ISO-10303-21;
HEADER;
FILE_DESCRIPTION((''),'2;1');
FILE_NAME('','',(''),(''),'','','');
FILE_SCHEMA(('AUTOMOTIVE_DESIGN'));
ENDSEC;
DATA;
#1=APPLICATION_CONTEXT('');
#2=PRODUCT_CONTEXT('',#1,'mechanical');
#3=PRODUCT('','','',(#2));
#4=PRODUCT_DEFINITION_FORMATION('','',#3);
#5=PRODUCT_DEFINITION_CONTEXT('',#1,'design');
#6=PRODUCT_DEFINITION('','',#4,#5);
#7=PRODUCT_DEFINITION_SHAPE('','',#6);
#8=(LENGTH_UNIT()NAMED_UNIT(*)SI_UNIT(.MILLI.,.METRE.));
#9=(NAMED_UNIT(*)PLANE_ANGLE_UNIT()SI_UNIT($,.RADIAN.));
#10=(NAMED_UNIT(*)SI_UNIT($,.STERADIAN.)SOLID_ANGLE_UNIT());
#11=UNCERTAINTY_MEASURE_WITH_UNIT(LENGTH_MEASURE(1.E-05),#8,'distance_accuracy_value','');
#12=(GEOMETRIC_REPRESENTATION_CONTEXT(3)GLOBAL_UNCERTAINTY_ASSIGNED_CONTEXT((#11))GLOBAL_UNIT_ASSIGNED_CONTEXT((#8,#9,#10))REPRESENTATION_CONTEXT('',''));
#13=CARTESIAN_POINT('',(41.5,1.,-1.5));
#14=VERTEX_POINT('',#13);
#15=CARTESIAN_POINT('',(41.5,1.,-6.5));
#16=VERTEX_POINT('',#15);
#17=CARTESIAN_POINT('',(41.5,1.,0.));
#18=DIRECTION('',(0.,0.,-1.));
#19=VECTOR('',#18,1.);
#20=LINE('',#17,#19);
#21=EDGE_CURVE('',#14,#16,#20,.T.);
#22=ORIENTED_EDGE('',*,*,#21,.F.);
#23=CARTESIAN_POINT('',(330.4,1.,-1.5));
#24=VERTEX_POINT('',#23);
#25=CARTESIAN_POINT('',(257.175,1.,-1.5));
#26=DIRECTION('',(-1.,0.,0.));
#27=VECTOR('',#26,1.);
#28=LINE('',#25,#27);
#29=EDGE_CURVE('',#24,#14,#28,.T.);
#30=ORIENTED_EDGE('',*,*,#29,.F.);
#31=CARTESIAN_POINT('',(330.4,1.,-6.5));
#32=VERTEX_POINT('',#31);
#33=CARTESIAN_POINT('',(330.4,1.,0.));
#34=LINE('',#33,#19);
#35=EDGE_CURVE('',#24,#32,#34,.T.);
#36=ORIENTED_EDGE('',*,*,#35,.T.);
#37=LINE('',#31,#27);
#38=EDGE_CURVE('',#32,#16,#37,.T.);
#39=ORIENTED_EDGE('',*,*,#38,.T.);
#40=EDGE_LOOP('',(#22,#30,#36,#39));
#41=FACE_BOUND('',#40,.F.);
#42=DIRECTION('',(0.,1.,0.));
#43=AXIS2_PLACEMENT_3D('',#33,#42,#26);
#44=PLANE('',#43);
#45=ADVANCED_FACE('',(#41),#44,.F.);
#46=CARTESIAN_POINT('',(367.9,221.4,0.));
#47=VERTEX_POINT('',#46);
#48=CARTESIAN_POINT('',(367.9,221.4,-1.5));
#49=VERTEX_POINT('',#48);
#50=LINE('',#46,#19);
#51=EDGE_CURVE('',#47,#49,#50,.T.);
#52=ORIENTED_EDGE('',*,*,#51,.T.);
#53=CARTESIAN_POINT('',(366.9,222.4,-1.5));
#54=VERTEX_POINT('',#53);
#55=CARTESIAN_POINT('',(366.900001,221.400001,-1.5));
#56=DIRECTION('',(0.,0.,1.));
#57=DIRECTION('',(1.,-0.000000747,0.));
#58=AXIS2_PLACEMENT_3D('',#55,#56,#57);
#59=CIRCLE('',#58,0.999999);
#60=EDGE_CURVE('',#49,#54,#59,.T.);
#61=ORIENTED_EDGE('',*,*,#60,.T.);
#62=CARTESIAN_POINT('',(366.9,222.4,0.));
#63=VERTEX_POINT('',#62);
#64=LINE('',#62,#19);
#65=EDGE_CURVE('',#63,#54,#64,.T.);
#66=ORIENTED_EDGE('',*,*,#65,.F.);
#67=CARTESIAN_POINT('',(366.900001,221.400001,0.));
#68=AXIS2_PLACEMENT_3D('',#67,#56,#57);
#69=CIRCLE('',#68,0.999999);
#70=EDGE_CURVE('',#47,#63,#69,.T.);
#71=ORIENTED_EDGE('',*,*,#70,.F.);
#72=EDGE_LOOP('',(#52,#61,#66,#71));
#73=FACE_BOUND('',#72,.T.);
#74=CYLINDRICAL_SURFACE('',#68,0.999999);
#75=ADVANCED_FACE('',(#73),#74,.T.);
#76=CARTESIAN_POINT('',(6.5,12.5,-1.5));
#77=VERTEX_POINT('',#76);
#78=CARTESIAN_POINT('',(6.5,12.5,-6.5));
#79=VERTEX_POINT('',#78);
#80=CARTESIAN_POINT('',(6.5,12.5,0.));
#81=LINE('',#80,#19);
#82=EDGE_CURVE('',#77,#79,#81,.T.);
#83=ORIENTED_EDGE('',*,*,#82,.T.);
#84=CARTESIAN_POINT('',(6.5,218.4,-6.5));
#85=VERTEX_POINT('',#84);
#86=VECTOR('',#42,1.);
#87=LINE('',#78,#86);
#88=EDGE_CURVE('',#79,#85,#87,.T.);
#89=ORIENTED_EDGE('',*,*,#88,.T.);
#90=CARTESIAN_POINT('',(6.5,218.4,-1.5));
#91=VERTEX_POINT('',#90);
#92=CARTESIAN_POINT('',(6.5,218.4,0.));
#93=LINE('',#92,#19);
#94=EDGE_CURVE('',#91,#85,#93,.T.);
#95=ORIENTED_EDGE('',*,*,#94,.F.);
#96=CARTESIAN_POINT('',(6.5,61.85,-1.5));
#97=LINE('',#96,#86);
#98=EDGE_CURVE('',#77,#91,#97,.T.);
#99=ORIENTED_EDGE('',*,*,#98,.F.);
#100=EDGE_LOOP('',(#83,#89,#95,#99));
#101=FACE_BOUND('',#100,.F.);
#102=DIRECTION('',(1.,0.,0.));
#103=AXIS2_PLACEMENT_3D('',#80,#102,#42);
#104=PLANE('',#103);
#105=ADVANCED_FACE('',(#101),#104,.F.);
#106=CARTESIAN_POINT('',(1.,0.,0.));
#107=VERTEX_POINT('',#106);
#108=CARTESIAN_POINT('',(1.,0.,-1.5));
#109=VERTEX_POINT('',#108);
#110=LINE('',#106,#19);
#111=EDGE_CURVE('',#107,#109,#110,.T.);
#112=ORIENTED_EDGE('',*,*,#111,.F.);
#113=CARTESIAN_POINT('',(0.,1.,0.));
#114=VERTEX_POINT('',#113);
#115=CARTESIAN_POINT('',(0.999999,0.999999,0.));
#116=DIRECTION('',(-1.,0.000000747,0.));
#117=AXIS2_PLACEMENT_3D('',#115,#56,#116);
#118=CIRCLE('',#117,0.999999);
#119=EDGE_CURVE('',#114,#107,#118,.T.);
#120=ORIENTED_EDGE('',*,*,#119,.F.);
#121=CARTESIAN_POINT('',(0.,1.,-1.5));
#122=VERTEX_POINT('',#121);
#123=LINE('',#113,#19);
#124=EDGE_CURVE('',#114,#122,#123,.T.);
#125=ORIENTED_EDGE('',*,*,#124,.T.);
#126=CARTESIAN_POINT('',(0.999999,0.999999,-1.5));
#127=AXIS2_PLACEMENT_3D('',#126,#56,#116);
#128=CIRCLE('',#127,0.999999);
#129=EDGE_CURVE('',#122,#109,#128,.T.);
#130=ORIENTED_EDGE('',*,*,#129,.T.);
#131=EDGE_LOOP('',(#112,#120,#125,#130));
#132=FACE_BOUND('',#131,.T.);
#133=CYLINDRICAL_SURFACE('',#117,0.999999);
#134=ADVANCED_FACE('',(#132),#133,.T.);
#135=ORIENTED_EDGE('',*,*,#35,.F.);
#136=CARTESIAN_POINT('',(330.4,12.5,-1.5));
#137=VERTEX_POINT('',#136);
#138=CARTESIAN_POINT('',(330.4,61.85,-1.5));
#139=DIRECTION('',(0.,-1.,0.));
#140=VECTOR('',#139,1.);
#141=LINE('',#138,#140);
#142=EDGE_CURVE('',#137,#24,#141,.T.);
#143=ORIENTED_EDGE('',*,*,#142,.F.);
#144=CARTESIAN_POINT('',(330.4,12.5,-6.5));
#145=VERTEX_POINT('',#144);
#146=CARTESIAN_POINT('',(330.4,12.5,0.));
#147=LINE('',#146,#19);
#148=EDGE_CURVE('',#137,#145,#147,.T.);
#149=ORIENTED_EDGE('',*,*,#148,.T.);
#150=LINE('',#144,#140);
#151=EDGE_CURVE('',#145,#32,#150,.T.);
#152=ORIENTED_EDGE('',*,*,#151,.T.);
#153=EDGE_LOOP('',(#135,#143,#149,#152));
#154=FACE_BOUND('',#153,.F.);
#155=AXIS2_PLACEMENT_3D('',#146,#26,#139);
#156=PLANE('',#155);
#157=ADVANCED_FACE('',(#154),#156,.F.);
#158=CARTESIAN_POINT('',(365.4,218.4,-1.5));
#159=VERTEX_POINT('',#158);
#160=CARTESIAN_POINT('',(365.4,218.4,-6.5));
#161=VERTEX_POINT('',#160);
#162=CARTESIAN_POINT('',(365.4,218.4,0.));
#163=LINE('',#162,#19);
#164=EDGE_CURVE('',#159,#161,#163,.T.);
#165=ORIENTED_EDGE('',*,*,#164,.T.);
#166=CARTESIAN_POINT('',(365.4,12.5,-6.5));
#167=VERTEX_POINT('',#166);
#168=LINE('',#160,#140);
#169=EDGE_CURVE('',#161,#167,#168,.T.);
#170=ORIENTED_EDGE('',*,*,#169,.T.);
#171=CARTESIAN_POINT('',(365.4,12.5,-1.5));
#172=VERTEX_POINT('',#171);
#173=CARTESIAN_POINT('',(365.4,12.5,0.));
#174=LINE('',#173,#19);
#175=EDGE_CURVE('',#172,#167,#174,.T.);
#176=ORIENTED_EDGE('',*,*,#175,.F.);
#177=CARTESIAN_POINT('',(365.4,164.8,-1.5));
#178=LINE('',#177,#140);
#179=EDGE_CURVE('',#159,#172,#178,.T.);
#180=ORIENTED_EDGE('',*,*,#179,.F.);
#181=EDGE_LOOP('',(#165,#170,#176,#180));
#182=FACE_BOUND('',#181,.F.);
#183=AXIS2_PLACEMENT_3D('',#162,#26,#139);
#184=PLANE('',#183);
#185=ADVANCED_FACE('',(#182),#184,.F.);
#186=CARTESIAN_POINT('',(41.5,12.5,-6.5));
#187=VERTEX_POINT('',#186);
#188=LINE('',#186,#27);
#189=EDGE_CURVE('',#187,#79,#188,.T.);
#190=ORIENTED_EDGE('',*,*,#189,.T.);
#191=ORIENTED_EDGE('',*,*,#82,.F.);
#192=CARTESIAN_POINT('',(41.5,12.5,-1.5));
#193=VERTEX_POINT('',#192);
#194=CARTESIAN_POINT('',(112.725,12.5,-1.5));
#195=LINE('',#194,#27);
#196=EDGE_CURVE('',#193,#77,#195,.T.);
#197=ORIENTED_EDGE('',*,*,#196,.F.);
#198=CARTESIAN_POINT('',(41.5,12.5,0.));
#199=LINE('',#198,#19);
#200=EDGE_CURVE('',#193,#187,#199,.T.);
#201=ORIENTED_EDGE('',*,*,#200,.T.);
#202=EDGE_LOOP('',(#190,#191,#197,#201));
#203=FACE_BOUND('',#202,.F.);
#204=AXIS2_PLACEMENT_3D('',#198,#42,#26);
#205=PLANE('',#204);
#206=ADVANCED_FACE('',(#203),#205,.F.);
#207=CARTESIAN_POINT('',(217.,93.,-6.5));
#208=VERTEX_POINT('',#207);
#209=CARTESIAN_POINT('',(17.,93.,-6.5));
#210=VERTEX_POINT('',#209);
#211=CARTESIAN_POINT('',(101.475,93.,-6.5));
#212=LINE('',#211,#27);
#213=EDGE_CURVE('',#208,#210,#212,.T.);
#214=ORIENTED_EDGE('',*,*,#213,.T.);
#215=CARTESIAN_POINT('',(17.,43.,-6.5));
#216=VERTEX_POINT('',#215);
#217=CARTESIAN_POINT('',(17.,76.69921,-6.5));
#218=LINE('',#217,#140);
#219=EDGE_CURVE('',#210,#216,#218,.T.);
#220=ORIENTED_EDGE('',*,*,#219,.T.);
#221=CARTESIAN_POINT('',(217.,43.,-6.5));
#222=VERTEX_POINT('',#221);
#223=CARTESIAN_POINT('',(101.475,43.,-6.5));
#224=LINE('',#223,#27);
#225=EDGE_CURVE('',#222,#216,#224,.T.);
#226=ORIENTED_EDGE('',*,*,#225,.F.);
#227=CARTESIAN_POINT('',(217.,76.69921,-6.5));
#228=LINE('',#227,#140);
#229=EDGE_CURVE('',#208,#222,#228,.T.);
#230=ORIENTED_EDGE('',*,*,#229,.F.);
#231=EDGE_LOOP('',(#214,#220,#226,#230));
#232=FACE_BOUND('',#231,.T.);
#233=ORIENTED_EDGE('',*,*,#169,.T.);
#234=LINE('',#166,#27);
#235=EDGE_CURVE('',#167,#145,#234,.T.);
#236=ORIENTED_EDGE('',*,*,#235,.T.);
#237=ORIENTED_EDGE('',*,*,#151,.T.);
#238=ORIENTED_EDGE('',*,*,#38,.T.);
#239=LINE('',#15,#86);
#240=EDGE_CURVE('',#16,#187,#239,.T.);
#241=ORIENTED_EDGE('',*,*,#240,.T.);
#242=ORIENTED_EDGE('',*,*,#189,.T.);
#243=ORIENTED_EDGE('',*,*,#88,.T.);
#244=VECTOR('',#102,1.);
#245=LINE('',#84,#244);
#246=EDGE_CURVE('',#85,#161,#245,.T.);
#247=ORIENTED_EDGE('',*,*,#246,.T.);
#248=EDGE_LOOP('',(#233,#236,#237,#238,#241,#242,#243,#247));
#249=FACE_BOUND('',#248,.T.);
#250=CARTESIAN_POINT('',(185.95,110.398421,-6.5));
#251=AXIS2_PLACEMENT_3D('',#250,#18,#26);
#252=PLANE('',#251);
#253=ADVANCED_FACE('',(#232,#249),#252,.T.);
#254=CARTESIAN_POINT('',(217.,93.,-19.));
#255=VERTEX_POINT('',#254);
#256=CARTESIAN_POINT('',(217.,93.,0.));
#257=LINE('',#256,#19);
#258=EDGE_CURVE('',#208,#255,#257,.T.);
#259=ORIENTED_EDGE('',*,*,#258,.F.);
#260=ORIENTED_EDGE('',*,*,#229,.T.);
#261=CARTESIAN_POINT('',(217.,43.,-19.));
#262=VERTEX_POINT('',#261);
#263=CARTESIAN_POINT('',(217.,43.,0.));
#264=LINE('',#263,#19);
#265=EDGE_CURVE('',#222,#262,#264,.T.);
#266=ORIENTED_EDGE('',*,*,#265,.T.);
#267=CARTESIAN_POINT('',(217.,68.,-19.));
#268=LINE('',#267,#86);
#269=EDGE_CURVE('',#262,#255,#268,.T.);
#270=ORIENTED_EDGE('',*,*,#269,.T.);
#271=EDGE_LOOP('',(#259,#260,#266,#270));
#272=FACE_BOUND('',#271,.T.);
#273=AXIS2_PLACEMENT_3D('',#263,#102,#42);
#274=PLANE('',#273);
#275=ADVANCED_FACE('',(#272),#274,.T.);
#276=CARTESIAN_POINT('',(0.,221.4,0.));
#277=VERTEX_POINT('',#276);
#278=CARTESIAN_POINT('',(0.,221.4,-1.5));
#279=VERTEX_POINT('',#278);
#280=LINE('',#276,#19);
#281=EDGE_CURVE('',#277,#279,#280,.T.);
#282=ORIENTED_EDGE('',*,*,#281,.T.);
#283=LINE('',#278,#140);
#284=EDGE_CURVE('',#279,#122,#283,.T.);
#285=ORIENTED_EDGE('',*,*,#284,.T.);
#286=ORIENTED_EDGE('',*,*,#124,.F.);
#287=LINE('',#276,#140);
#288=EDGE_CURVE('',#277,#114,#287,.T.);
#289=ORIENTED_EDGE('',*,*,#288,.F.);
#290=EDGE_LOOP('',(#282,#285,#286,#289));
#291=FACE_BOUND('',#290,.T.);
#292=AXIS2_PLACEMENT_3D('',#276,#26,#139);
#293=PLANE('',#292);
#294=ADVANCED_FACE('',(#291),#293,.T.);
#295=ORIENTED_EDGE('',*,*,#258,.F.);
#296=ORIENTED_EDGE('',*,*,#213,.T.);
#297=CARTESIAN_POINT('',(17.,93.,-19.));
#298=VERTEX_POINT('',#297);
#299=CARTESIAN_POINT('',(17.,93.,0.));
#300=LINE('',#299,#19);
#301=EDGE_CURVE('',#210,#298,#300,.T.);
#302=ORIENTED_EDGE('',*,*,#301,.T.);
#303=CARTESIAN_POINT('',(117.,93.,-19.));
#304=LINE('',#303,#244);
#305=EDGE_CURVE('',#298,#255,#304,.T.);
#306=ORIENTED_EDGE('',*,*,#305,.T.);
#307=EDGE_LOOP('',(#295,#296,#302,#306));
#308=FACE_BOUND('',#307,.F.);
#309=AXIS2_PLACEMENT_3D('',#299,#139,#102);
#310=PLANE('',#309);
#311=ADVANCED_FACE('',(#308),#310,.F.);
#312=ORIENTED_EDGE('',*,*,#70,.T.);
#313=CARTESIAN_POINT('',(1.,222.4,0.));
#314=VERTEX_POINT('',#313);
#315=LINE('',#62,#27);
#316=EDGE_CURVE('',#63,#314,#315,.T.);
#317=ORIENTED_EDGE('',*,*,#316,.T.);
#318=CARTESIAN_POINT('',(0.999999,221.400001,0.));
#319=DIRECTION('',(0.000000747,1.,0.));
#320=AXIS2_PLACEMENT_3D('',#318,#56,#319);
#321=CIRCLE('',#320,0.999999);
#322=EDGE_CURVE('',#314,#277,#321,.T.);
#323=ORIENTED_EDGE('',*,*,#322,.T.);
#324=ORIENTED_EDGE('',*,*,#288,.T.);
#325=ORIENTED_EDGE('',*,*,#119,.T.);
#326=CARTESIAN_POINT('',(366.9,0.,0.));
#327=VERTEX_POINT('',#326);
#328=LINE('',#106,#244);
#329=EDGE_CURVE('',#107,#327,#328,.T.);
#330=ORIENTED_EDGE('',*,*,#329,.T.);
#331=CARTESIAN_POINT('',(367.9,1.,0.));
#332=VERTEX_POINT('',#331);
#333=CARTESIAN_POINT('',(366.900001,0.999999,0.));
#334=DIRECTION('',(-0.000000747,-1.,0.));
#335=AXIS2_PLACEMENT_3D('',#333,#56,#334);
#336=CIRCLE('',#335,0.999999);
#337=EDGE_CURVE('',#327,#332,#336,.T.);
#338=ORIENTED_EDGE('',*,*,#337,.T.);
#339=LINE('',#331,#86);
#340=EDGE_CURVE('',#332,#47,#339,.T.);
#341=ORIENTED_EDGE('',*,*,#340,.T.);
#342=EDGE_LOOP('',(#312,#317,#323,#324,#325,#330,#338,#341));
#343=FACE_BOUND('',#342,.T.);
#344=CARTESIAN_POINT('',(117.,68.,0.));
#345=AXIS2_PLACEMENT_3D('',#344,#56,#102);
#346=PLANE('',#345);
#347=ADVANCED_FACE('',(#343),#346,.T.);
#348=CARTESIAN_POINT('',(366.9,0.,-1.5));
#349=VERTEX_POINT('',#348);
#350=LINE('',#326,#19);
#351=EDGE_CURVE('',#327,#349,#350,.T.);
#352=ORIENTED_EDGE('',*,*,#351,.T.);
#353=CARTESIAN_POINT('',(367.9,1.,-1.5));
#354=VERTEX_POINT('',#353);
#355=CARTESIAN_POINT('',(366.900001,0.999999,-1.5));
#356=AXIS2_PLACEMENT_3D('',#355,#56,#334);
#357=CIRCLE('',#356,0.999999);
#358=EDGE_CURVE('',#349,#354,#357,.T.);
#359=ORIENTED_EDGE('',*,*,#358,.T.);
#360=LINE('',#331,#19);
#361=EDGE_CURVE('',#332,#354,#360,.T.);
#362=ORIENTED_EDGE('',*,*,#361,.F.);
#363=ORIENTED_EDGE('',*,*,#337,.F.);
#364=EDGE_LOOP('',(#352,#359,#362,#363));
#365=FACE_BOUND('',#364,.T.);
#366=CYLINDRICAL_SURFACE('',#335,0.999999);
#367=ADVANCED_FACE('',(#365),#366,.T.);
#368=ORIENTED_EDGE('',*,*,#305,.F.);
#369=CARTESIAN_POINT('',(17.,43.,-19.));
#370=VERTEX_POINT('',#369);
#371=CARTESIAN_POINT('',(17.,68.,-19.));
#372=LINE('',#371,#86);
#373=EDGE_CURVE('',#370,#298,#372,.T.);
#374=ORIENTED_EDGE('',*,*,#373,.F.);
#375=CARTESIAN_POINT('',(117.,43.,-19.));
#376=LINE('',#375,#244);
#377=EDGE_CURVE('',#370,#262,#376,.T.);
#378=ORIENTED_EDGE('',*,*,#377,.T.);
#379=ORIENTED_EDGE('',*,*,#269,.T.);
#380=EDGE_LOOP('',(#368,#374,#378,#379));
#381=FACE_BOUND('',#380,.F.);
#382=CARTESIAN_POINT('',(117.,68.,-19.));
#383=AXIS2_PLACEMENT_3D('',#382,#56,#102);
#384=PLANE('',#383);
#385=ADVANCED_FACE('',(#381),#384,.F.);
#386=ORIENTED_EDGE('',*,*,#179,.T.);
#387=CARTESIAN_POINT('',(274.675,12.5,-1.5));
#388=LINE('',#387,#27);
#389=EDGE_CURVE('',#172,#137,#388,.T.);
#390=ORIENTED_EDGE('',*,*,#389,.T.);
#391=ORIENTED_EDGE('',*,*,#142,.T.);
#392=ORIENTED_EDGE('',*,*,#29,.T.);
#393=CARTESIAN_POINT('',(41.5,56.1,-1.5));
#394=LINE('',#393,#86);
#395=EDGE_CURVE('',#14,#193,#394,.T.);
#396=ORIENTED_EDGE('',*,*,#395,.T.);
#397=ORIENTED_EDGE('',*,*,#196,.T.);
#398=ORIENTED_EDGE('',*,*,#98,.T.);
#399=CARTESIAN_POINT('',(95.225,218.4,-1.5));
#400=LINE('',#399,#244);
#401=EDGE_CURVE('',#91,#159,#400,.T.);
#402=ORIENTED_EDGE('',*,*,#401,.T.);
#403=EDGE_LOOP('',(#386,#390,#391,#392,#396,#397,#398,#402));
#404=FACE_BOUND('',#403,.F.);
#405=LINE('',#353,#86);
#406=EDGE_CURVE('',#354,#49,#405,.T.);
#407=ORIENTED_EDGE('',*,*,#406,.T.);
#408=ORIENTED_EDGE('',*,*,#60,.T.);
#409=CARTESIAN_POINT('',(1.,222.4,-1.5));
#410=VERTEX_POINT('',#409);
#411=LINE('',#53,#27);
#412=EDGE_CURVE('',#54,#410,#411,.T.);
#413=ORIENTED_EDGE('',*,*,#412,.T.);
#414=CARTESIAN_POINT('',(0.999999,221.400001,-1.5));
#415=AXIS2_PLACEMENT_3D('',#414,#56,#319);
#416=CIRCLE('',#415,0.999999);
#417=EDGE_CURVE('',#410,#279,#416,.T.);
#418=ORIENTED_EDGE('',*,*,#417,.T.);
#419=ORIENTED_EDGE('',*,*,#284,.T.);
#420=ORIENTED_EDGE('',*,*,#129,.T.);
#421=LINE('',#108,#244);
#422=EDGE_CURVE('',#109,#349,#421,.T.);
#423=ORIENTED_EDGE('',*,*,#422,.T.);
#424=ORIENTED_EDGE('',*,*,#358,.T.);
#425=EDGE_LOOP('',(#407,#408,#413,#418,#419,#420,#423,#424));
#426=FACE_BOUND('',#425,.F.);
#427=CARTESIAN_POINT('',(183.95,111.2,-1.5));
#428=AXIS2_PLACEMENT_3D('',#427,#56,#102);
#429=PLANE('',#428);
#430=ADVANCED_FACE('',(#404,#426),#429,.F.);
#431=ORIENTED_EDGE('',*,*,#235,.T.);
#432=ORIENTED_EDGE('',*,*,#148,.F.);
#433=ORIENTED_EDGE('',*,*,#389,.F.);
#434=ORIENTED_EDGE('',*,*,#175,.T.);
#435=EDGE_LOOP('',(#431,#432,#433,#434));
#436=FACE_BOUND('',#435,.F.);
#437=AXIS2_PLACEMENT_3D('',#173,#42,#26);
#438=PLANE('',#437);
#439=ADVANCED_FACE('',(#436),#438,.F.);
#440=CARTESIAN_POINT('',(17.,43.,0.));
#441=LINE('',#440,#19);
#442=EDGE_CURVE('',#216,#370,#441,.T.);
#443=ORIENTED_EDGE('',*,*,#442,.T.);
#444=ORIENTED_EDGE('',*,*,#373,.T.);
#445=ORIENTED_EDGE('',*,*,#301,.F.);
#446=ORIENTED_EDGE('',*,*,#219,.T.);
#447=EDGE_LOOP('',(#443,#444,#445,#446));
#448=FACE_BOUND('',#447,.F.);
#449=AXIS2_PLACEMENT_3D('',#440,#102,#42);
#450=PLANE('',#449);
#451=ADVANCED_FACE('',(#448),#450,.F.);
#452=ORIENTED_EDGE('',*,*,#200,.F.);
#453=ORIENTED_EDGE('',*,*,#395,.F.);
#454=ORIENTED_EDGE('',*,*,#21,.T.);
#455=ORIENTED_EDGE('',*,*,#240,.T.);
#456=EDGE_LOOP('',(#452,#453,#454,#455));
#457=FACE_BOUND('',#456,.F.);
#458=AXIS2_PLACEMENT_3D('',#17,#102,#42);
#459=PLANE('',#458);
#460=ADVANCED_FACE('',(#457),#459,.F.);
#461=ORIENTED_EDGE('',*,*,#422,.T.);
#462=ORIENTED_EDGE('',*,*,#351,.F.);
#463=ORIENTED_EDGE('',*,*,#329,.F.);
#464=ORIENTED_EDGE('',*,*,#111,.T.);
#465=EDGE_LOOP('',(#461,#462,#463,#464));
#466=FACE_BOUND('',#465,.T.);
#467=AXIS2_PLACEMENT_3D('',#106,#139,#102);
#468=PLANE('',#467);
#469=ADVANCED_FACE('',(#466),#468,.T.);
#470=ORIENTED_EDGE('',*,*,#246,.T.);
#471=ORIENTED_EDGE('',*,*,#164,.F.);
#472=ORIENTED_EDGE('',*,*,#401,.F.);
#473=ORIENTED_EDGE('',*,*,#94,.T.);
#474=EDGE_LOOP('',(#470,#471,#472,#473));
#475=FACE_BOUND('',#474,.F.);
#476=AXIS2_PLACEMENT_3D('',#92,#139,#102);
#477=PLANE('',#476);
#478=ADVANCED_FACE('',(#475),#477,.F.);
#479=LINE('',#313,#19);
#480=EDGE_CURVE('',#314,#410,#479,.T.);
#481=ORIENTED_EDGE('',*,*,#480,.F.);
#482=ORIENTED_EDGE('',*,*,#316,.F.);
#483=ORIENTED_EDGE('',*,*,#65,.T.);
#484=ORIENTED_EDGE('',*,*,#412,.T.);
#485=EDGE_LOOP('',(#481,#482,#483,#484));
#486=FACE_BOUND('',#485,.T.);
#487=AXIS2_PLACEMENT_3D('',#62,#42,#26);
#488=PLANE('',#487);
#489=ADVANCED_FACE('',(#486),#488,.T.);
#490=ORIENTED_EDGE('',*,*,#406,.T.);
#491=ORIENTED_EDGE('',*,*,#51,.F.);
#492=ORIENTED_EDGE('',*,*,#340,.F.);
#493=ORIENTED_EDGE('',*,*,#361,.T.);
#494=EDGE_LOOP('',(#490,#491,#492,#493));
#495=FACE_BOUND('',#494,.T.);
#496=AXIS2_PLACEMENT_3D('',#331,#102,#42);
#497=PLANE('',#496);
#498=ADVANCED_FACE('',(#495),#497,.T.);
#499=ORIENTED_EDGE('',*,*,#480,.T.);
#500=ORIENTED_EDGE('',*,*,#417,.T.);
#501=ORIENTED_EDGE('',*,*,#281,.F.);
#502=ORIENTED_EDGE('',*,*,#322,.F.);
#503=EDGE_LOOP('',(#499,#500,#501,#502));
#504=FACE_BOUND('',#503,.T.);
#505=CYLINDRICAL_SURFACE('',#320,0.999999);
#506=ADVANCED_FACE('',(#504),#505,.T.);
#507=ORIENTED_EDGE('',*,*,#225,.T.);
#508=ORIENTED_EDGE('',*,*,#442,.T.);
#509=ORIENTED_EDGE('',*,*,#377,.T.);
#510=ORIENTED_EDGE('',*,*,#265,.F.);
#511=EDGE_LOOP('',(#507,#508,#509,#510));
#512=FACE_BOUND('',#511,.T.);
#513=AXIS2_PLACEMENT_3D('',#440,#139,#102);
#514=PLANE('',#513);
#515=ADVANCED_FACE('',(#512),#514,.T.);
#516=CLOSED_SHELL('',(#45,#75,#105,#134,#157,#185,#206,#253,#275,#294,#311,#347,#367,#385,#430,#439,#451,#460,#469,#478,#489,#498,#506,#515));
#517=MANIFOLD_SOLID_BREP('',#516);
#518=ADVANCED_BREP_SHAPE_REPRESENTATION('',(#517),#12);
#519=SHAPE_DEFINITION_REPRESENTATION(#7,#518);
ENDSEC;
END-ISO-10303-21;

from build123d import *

# Parameters (mm, degrees)
PAD002_DEPTH = 1.5
PAD003_DEPTH = 6.5
SKETCH005_W  = 200
SKETCH005_H  = 50
PAD005_DEPTH = 19


with BuildPart() as part:
    # Sketch002 → Pad002 (new body)
    with BuildSketch(Plane.XY):
        with BuildLine():
            Line((1, 0), (366.9, 0))
            ThreePointArc((366.9, 0), (367.607107, 0.292893), (367.9, 1))
            Line((367.9, 1), (367.9, 221.4))
            ThreePointArc((367.9, 221.4), (367.607107, 222.107107), (366.9, 222.4))
            Line((366.9, 222.4), (1, 222.4))
            ThreePointArc((1, 222.4), (0.292893, 222.107107), (0, 221.4))
            Line((0, 221.4), (0, 1))
            ThreePointArc((0, 1), (0.292893, 0.292893), (1, 0))
        make_face()
    extrude(amount=-PAD002_DEPTH)

    # Sketch003 → Pad003 (join)
    with BuildSketch(Plane.XY):
        Polygon((6.5, 12.5), (6.5, 218.4), (365.4, 218.4), (365.4, 12.5), (330.4, 12.5), (330.4, 1), (41.5, 1), (41.5, 12.5), align=None)
    extrude(amount=-PAD003_DEPTH)

    # Sketch005 → Pad005 (join)
    with BuildSketch(Plane.XY):
        with Locations((117, 68)):
            Rectangle(SKETCH005_W, SKETCH005_H)
    extrude(amount=-PAD005_DEPTH)


solid = part.part
